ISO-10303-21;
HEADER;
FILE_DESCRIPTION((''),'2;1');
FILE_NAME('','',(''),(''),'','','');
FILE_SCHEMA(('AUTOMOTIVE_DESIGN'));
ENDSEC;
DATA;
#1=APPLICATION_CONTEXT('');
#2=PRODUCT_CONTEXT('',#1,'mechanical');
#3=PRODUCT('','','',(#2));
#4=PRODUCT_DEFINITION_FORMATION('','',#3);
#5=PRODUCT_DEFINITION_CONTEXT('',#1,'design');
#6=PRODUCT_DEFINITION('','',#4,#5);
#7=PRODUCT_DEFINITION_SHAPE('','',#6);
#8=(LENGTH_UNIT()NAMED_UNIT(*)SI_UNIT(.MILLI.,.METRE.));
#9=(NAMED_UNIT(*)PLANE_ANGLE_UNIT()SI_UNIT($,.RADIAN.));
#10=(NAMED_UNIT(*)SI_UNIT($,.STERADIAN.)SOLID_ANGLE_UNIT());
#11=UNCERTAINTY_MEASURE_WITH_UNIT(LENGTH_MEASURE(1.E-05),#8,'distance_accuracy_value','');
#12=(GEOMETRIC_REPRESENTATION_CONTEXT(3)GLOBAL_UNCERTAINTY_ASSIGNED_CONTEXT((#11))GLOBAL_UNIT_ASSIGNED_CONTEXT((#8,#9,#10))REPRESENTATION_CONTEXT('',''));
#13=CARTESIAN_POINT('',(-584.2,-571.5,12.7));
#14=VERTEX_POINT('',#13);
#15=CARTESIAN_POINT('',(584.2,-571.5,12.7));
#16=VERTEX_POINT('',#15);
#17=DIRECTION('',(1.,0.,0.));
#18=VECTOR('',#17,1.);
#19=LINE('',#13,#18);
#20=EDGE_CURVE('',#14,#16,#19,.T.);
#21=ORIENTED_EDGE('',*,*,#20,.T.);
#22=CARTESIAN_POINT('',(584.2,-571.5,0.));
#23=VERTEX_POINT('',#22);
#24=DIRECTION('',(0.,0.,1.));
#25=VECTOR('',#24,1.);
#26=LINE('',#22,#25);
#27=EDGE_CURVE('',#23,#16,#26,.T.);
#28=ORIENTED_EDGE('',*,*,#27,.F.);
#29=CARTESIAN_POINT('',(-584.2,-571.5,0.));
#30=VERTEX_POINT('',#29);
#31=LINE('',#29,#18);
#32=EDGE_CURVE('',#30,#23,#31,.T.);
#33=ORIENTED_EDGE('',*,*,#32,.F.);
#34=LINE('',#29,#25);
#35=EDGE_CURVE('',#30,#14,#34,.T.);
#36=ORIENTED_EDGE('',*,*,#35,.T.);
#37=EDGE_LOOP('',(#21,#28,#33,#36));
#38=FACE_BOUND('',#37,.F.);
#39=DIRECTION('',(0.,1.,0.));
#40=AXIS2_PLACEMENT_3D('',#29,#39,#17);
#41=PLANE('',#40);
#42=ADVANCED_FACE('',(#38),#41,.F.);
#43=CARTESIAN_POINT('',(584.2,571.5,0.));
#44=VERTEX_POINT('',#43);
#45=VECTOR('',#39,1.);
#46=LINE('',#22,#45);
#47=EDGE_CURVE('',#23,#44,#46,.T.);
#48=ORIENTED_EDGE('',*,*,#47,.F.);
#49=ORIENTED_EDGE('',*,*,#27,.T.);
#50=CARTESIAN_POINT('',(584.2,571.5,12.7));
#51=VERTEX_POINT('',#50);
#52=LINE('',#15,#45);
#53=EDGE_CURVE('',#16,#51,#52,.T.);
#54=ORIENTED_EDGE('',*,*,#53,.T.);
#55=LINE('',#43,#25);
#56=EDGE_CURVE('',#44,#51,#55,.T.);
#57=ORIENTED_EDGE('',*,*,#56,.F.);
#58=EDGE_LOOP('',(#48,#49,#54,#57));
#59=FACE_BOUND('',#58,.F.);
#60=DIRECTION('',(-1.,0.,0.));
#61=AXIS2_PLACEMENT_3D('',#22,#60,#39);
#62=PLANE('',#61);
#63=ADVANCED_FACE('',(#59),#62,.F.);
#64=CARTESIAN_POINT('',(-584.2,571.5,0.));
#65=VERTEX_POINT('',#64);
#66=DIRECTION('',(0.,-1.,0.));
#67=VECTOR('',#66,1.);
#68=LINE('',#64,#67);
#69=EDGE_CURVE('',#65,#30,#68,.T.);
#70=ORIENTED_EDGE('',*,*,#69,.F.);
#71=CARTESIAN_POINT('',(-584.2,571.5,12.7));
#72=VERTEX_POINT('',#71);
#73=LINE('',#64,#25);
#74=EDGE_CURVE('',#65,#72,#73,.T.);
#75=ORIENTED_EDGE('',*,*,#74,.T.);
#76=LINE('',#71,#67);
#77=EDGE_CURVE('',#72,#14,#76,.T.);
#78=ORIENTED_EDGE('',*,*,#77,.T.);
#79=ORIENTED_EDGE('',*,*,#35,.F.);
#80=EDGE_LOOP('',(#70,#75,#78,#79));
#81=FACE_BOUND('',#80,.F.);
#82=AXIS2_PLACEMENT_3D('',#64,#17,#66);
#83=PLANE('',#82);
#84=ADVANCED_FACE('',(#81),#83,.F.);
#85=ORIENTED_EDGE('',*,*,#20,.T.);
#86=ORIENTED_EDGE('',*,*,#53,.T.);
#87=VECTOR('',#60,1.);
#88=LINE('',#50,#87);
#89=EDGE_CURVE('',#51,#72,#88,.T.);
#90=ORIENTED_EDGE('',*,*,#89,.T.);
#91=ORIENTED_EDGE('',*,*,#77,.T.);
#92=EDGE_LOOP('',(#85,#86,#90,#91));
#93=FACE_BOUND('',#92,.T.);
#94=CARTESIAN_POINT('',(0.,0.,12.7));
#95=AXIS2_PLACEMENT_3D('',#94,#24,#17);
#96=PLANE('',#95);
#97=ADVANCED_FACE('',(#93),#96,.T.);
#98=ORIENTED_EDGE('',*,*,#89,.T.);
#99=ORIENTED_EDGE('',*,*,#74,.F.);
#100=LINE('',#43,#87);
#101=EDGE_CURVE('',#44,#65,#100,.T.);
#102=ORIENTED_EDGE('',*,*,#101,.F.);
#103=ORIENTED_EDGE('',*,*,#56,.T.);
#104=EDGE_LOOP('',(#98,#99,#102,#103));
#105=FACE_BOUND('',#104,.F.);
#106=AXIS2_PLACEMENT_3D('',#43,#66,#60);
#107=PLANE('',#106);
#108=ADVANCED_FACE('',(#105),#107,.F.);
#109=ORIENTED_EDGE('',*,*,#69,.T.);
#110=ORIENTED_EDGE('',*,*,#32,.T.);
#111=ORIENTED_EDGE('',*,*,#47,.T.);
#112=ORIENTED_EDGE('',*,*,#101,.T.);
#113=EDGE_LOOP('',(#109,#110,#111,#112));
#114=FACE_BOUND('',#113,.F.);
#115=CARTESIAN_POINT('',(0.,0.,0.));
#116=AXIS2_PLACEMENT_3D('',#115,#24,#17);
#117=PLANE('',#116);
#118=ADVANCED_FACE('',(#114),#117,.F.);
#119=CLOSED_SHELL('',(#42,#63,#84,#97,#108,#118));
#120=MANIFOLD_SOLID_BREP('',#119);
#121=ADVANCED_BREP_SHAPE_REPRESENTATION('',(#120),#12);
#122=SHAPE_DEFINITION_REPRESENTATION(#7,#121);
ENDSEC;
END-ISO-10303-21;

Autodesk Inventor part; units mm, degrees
ref_plane "YZ Plane" through (0, 0, 0) normal (1, 0, 0) x (0, 1, 0)
ref_plane "XZ Plane" through (0, 0, 0) normal (0, 1, 0) x (-1, 0, 0)
ref_plane "XY Plane" through (0, 0, 0) normal (0, 0, 1) x (1, 0, 0)
sketch "Sketch1" plane through (0, 0, 0) normal (0, 0, 1) x (1, 0, 0)
  line L0 (-584.2, -571.5) -> (584.2, -571.5)
  line L1 (584.2, -571.5) -> (584.2, 571.5)
  line L2 (584.2, 571.5) -> (-584.2, 571.5)
  line L3 (-584.2, 571.5) -> (-584.2, -571.5)
  line L4 (-584.2, -571.5) -> (584.2, 571.5) construction
  line L5 (584.2, -571.5) -> (-584.2, 571.5) construction
  point P0 (0, 0)
  dimension "d0" = 1168.4
  dimension "d1" = 1143
extrude "Extrusion1" add sketch "Sketch1" along normal blind 12.7
properties part number "back_0_0"
